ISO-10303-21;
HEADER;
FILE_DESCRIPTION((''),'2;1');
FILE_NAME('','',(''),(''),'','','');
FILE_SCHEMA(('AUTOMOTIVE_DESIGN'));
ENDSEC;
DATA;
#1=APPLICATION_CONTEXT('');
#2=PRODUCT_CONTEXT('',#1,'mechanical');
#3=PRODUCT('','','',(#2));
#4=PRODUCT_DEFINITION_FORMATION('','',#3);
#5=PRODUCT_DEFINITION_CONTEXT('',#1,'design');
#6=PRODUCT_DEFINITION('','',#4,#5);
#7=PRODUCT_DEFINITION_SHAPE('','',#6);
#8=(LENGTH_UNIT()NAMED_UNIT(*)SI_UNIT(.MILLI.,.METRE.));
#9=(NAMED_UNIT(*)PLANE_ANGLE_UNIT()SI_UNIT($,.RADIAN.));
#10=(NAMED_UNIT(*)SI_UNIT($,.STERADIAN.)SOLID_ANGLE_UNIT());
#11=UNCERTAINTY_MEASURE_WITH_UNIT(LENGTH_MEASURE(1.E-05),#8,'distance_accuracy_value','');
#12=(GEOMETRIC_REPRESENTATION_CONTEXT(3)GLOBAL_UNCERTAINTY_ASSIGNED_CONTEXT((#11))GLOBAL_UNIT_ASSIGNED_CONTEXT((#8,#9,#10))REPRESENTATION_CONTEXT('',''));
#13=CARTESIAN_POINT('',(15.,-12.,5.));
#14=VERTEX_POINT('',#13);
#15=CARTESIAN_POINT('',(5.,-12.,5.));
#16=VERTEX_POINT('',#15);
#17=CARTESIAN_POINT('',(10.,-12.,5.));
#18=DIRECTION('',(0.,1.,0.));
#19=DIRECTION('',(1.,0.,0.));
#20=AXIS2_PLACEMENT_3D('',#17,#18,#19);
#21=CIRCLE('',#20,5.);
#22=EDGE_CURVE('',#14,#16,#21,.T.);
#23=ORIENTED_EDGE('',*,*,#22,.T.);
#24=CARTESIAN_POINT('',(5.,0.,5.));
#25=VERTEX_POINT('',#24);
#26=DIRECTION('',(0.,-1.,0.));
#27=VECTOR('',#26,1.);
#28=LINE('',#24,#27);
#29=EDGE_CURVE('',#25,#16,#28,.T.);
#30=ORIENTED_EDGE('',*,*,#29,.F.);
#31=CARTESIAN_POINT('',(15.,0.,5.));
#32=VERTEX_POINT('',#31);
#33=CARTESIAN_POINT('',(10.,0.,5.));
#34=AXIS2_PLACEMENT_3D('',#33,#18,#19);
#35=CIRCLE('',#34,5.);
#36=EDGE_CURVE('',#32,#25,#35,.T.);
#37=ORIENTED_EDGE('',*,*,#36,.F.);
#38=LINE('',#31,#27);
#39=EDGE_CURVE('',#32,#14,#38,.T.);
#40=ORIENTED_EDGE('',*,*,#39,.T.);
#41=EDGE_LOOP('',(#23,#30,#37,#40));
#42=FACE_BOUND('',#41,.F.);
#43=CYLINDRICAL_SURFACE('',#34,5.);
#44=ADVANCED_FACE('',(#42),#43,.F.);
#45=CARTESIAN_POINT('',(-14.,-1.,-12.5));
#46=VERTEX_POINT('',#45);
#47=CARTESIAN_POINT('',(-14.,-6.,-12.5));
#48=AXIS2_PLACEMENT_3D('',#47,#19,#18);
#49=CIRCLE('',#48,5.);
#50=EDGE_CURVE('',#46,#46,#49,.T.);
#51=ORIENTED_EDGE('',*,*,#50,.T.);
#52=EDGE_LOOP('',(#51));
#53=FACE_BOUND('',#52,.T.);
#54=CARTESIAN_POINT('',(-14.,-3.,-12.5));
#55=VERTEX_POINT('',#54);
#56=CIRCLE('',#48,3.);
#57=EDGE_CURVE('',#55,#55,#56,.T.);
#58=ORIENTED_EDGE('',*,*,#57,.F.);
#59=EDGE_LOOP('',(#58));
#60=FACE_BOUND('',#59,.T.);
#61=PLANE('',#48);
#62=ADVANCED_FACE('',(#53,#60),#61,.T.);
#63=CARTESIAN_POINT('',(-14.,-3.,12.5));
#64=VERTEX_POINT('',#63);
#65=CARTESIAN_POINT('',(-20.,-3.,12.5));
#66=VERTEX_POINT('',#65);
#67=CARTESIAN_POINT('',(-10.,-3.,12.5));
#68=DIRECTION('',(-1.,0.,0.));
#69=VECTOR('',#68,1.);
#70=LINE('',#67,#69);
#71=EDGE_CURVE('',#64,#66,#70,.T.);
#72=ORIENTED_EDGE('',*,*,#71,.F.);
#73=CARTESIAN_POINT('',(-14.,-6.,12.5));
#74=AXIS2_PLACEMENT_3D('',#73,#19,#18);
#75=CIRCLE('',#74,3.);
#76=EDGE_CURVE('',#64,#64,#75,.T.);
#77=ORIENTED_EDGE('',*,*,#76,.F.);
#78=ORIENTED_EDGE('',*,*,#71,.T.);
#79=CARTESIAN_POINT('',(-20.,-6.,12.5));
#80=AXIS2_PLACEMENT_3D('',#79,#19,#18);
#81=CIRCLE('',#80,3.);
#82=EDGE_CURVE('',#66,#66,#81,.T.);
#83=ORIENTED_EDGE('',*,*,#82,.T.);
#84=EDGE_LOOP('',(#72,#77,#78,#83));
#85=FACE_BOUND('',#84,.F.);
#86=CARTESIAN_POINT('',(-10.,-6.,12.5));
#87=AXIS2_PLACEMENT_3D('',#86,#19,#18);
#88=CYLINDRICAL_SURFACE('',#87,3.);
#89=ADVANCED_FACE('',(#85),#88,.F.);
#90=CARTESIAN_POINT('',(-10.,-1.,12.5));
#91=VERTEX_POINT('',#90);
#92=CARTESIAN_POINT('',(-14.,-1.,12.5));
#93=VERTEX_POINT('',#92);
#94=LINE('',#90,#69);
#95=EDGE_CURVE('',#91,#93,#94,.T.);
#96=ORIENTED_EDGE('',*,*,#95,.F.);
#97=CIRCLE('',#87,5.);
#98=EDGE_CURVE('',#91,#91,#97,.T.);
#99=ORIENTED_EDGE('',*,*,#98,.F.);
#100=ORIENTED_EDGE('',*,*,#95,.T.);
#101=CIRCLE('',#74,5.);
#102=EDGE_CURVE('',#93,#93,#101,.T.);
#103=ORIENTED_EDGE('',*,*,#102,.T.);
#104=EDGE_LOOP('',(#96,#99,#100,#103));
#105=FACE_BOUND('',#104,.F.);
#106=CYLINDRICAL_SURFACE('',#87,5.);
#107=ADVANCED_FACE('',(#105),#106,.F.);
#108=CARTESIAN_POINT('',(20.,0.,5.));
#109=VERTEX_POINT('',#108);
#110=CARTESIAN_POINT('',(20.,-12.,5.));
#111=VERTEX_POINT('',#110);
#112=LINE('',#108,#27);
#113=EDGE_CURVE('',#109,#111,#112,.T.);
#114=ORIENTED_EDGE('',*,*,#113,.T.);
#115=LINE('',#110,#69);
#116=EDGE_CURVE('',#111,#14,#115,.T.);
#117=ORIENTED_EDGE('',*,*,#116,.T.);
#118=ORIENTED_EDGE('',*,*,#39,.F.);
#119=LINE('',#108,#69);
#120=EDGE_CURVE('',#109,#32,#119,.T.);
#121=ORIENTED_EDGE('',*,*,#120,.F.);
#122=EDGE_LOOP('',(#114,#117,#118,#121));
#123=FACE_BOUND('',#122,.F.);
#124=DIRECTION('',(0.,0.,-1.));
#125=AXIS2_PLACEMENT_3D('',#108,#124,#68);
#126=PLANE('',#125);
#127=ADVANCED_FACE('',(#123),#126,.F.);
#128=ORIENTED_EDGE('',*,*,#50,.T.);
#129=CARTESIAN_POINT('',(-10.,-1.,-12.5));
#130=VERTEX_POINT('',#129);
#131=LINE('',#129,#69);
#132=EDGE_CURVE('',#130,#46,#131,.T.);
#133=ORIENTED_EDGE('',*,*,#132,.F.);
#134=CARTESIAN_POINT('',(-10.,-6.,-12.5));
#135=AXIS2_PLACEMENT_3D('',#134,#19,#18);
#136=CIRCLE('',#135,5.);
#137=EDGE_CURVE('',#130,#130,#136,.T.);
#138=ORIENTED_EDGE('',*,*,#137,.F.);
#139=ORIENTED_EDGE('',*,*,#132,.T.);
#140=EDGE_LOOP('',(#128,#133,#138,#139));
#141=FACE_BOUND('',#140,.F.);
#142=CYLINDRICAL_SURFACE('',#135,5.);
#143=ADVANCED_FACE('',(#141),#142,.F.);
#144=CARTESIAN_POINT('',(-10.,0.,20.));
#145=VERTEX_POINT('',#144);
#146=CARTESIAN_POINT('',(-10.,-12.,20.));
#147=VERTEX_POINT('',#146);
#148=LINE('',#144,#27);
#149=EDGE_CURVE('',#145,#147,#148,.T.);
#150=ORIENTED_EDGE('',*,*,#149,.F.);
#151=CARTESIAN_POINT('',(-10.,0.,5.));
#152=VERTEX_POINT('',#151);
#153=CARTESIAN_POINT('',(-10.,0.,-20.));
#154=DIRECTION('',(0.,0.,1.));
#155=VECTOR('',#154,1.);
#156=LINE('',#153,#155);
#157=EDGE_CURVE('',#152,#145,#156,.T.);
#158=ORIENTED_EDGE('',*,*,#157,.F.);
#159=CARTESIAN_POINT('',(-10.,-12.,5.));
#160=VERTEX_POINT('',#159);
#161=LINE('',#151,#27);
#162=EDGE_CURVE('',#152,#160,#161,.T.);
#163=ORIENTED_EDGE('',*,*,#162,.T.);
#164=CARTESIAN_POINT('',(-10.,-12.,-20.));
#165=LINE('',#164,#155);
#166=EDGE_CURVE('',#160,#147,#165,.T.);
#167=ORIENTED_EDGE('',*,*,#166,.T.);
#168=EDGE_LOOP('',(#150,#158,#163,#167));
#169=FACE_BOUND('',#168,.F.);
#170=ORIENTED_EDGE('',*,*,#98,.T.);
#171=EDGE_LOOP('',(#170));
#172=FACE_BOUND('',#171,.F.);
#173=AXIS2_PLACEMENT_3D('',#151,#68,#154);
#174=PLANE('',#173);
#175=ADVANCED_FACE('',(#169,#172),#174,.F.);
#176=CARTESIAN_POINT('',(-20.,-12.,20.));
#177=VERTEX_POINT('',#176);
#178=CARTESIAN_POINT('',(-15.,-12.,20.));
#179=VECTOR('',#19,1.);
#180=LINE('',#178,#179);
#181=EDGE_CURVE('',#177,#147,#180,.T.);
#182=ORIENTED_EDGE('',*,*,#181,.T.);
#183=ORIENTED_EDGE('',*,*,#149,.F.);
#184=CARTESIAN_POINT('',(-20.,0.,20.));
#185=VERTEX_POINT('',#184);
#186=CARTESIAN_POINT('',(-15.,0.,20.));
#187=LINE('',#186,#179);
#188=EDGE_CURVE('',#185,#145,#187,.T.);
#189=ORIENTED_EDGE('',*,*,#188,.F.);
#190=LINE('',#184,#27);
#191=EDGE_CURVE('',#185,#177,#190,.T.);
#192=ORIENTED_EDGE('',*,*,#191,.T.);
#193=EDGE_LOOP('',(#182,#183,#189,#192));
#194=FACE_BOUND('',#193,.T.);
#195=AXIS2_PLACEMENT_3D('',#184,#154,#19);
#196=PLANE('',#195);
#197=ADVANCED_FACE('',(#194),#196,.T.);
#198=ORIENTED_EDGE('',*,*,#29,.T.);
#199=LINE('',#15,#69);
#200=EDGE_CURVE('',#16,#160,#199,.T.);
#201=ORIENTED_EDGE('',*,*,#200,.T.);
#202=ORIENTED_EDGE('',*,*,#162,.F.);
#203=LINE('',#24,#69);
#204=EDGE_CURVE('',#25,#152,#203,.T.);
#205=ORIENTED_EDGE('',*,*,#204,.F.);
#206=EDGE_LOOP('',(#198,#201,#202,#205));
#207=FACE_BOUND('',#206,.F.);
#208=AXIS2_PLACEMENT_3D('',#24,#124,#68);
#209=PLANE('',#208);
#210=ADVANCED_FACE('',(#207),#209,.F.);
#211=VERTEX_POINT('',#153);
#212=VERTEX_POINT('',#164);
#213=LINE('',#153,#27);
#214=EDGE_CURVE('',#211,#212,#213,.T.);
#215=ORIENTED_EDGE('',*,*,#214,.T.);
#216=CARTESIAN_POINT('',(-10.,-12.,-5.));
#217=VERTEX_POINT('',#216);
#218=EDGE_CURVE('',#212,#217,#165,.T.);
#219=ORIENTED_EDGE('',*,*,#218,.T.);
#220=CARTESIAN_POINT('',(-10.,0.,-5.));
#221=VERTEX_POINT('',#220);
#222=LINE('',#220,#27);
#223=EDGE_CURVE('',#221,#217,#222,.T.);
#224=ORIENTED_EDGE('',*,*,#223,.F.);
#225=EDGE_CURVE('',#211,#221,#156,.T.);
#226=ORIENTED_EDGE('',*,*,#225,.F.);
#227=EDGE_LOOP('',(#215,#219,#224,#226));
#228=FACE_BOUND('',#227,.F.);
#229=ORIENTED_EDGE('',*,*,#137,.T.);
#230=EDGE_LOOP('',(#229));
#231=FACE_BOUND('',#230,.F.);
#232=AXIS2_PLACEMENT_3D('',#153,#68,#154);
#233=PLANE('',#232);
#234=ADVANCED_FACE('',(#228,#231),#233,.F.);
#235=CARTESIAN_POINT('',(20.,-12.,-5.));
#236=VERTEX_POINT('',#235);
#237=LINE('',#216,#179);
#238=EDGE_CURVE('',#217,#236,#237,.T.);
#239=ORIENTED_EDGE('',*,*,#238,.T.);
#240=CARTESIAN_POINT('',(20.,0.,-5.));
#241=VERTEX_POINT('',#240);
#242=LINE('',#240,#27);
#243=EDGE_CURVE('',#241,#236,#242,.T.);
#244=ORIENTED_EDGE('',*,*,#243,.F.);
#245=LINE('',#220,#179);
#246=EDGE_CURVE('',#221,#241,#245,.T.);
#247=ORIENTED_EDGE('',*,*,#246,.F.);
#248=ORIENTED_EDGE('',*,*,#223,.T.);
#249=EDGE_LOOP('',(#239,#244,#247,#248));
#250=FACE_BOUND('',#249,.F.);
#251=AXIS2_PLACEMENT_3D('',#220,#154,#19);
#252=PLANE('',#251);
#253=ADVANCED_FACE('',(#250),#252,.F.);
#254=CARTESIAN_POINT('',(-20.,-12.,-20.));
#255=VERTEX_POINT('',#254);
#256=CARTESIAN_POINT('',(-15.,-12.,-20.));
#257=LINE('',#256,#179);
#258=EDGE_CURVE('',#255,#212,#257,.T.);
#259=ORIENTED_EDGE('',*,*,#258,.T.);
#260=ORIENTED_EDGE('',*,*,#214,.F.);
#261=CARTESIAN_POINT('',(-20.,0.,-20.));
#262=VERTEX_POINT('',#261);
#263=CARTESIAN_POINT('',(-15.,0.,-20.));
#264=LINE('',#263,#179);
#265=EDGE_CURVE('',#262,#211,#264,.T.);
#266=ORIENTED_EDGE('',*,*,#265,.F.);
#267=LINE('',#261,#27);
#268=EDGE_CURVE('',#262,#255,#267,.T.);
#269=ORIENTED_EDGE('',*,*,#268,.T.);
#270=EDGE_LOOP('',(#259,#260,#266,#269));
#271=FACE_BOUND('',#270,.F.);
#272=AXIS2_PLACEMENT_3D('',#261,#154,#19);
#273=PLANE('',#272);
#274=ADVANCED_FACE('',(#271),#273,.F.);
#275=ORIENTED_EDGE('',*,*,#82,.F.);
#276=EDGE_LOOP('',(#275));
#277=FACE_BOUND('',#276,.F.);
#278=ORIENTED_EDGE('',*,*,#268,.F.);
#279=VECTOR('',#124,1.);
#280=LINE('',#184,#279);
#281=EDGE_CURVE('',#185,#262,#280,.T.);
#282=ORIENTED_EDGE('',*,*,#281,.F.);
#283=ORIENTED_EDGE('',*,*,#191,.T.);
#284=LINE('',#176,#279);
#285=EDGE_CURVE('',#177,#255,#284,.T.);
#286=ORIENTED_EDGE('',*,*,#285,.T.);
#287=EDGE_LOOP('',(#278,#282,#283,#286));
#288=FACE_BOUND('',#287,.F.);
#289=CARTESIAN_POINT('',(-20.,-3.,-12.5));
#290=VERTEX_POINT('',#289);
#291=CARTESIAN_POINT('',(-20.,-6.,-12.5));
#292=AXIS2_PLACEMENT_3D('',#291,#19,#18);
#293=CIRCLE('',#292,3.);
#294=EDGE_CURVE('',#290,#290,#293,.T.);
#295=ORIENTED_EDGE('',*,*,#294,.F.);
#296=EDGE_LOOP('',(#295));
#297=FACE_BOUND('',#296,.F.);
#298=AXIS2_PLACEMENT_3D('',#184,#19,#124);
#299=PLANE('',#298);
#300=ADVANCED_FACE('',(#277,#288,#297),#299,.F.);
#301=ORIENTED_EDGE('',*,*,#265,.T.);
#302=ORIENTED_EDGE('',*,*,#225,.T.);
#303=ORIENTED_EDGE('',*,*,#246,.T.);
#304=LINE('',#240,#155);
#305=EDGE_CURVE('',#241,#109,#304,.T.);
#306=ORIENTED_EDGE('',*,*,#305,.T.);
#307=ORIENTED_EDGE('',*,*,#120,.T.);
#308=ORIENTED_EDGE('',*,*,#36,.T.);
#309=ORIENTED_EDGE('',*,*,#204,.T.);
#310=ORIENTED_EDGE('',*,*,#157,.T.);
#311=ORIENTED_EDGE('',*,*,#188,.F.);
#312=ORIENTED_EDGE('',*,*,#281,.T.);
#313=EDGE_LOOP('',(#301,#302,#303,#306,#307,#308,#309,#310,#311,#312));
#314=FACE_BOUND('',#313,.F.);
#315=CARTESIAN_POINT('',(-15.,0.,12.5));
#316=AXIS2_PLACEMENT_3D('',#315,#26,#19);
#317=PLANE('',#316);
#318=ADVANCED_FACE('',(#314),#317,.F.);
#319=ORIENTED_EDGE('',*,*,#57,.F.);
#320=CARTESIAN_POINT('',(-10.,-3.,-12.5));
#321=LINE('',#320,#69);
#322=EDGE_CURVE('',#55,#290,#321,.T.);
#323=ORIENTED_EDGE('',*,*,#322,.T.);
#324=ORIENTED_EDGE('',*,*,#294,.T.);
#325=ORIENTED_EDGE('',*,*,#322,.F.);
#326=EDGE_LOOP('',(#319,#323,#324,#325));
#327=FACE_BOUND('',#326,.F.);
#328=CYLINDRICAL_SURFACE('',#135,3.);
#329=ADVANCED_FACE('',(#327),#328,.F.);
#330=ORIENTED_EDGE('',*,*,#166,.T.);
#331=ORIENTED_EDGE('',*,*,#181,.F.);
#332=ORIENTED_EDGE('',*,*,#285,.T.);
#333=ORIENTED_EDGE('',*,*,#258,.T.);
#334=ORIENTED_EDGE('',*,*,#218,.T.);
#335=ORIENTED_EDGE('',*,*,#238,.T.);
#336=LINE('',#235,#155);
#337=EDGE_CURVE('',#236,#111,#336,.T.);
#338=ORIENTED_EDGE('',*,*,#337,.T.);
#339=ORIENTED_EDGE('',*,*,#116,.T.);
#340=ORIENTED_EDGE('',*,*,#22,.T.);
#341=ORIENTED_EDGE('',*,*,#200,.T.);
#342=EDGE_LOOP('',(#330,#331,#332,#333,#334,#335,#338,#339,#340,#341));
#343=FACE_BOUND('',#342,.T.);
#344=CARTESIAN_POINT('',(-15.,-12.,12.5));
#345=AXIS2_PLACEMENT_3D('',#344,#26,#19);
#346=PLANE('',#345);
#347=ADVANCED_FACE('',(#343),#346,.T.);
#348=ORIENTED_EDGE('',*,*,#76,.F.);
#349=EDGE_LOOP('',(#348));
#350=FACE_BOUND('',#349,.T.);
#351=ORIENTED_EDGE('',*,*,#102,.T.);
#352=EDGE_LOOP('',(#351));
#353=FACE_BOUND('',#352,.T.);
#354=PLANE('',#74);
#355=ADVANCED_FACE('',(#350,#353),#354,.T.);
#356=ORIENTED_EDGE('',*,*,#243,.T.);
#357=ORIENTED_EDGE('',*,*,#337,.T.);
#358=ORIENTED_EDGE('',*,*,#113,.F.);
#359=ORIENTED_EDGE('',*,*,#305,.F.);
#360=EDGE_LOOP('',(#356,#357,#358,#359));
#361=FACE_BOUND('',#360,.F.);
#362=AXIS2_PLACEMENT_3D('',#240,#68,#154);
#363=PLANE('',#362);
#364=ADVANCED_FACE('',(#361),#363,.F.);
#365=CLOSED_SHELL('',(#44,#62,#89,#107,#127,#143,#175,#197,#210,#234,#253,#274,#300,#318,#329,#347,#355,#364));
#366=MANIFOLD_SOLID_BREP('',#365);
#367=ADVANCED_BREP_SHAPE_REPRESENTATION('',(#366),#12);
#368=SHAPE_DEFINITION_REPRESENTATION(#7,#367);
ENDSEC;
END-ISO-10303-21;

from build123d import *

# Parameters (mm, degrees)
F0_W     = 10
F0_H     = 15
F0_H_2   = 10
F1_DEPTH = 12
F2_R     = 3
F3_DEPTH = 10.001
F4_R     = 5
F4_R_2   = 3
F5_DEPTH = 4
F6_R     = 5
F6_R_2   = 3
F7_DEPTH = 4


with BuildPart() as f1:
    # F0 (on Front) → F1 (new body)
    with BuildSketch(Plane.XZ):
        with Locations((-15, 12.5)):
            Rectangle(F0_W, F0_H)
        with Locations((-15, 0)):
            Rectangle(F0_W, F0_H_2)
        with Locations((-15, -12.5)):
            Rectangle(F0_W, F0_H)
        with BuildLine():
            Line((-10, -5), (20, -5))
            Line((20, -5), (20, 5))
            Line((20, 5), (15, 5))
            ThreePointArc((15, 5), (10, 0), (5, 5))
            Line((5, 5), (-10, 5))
            Line((-10, 5), (-10, -5))
        make_face()
    extrude(amount=F1_DEPTH)

    # F2 (on face) → F3 (cut, through all)
    with BuildSketch(Plane.YZ.offset(-10)):
        with Locations((-6, 12.5)):
            Circle(F2_R)
        with Locations((-6, -12.5)):
            Circle(F2_R)
    extrude(amount=-F3_DEPTH, mode=Mode.SUBTRACT)

    # F4 (on face) → F5 (cut)
    with BuildSketch(Plane.YZ.offset(-10)):
        with Locations((-6, 12.5)):
            Circle(F4_R)
        with Locations((-6, 12.5)):
            Circle(F4_R_2, mode=Mode.SUBTRACT)
    extrude(amount=-F5_DEPTH, mode=Mode.SUBTRACT)

    # F6 (on face) → F7 (cut)
    with BuildSketch(Plane.YZ.offset(-10)):
        with Locations((-6, -12.5)):
            Circle(F6_R)
        with Locations((-6, -12.5)):
            Circle(F6_R_2, mode=Mode.SUBTRACT)
    extrude(amount=-F7_DEPTH, mode=Mode.SUBTRACT)


solid = f1.part
